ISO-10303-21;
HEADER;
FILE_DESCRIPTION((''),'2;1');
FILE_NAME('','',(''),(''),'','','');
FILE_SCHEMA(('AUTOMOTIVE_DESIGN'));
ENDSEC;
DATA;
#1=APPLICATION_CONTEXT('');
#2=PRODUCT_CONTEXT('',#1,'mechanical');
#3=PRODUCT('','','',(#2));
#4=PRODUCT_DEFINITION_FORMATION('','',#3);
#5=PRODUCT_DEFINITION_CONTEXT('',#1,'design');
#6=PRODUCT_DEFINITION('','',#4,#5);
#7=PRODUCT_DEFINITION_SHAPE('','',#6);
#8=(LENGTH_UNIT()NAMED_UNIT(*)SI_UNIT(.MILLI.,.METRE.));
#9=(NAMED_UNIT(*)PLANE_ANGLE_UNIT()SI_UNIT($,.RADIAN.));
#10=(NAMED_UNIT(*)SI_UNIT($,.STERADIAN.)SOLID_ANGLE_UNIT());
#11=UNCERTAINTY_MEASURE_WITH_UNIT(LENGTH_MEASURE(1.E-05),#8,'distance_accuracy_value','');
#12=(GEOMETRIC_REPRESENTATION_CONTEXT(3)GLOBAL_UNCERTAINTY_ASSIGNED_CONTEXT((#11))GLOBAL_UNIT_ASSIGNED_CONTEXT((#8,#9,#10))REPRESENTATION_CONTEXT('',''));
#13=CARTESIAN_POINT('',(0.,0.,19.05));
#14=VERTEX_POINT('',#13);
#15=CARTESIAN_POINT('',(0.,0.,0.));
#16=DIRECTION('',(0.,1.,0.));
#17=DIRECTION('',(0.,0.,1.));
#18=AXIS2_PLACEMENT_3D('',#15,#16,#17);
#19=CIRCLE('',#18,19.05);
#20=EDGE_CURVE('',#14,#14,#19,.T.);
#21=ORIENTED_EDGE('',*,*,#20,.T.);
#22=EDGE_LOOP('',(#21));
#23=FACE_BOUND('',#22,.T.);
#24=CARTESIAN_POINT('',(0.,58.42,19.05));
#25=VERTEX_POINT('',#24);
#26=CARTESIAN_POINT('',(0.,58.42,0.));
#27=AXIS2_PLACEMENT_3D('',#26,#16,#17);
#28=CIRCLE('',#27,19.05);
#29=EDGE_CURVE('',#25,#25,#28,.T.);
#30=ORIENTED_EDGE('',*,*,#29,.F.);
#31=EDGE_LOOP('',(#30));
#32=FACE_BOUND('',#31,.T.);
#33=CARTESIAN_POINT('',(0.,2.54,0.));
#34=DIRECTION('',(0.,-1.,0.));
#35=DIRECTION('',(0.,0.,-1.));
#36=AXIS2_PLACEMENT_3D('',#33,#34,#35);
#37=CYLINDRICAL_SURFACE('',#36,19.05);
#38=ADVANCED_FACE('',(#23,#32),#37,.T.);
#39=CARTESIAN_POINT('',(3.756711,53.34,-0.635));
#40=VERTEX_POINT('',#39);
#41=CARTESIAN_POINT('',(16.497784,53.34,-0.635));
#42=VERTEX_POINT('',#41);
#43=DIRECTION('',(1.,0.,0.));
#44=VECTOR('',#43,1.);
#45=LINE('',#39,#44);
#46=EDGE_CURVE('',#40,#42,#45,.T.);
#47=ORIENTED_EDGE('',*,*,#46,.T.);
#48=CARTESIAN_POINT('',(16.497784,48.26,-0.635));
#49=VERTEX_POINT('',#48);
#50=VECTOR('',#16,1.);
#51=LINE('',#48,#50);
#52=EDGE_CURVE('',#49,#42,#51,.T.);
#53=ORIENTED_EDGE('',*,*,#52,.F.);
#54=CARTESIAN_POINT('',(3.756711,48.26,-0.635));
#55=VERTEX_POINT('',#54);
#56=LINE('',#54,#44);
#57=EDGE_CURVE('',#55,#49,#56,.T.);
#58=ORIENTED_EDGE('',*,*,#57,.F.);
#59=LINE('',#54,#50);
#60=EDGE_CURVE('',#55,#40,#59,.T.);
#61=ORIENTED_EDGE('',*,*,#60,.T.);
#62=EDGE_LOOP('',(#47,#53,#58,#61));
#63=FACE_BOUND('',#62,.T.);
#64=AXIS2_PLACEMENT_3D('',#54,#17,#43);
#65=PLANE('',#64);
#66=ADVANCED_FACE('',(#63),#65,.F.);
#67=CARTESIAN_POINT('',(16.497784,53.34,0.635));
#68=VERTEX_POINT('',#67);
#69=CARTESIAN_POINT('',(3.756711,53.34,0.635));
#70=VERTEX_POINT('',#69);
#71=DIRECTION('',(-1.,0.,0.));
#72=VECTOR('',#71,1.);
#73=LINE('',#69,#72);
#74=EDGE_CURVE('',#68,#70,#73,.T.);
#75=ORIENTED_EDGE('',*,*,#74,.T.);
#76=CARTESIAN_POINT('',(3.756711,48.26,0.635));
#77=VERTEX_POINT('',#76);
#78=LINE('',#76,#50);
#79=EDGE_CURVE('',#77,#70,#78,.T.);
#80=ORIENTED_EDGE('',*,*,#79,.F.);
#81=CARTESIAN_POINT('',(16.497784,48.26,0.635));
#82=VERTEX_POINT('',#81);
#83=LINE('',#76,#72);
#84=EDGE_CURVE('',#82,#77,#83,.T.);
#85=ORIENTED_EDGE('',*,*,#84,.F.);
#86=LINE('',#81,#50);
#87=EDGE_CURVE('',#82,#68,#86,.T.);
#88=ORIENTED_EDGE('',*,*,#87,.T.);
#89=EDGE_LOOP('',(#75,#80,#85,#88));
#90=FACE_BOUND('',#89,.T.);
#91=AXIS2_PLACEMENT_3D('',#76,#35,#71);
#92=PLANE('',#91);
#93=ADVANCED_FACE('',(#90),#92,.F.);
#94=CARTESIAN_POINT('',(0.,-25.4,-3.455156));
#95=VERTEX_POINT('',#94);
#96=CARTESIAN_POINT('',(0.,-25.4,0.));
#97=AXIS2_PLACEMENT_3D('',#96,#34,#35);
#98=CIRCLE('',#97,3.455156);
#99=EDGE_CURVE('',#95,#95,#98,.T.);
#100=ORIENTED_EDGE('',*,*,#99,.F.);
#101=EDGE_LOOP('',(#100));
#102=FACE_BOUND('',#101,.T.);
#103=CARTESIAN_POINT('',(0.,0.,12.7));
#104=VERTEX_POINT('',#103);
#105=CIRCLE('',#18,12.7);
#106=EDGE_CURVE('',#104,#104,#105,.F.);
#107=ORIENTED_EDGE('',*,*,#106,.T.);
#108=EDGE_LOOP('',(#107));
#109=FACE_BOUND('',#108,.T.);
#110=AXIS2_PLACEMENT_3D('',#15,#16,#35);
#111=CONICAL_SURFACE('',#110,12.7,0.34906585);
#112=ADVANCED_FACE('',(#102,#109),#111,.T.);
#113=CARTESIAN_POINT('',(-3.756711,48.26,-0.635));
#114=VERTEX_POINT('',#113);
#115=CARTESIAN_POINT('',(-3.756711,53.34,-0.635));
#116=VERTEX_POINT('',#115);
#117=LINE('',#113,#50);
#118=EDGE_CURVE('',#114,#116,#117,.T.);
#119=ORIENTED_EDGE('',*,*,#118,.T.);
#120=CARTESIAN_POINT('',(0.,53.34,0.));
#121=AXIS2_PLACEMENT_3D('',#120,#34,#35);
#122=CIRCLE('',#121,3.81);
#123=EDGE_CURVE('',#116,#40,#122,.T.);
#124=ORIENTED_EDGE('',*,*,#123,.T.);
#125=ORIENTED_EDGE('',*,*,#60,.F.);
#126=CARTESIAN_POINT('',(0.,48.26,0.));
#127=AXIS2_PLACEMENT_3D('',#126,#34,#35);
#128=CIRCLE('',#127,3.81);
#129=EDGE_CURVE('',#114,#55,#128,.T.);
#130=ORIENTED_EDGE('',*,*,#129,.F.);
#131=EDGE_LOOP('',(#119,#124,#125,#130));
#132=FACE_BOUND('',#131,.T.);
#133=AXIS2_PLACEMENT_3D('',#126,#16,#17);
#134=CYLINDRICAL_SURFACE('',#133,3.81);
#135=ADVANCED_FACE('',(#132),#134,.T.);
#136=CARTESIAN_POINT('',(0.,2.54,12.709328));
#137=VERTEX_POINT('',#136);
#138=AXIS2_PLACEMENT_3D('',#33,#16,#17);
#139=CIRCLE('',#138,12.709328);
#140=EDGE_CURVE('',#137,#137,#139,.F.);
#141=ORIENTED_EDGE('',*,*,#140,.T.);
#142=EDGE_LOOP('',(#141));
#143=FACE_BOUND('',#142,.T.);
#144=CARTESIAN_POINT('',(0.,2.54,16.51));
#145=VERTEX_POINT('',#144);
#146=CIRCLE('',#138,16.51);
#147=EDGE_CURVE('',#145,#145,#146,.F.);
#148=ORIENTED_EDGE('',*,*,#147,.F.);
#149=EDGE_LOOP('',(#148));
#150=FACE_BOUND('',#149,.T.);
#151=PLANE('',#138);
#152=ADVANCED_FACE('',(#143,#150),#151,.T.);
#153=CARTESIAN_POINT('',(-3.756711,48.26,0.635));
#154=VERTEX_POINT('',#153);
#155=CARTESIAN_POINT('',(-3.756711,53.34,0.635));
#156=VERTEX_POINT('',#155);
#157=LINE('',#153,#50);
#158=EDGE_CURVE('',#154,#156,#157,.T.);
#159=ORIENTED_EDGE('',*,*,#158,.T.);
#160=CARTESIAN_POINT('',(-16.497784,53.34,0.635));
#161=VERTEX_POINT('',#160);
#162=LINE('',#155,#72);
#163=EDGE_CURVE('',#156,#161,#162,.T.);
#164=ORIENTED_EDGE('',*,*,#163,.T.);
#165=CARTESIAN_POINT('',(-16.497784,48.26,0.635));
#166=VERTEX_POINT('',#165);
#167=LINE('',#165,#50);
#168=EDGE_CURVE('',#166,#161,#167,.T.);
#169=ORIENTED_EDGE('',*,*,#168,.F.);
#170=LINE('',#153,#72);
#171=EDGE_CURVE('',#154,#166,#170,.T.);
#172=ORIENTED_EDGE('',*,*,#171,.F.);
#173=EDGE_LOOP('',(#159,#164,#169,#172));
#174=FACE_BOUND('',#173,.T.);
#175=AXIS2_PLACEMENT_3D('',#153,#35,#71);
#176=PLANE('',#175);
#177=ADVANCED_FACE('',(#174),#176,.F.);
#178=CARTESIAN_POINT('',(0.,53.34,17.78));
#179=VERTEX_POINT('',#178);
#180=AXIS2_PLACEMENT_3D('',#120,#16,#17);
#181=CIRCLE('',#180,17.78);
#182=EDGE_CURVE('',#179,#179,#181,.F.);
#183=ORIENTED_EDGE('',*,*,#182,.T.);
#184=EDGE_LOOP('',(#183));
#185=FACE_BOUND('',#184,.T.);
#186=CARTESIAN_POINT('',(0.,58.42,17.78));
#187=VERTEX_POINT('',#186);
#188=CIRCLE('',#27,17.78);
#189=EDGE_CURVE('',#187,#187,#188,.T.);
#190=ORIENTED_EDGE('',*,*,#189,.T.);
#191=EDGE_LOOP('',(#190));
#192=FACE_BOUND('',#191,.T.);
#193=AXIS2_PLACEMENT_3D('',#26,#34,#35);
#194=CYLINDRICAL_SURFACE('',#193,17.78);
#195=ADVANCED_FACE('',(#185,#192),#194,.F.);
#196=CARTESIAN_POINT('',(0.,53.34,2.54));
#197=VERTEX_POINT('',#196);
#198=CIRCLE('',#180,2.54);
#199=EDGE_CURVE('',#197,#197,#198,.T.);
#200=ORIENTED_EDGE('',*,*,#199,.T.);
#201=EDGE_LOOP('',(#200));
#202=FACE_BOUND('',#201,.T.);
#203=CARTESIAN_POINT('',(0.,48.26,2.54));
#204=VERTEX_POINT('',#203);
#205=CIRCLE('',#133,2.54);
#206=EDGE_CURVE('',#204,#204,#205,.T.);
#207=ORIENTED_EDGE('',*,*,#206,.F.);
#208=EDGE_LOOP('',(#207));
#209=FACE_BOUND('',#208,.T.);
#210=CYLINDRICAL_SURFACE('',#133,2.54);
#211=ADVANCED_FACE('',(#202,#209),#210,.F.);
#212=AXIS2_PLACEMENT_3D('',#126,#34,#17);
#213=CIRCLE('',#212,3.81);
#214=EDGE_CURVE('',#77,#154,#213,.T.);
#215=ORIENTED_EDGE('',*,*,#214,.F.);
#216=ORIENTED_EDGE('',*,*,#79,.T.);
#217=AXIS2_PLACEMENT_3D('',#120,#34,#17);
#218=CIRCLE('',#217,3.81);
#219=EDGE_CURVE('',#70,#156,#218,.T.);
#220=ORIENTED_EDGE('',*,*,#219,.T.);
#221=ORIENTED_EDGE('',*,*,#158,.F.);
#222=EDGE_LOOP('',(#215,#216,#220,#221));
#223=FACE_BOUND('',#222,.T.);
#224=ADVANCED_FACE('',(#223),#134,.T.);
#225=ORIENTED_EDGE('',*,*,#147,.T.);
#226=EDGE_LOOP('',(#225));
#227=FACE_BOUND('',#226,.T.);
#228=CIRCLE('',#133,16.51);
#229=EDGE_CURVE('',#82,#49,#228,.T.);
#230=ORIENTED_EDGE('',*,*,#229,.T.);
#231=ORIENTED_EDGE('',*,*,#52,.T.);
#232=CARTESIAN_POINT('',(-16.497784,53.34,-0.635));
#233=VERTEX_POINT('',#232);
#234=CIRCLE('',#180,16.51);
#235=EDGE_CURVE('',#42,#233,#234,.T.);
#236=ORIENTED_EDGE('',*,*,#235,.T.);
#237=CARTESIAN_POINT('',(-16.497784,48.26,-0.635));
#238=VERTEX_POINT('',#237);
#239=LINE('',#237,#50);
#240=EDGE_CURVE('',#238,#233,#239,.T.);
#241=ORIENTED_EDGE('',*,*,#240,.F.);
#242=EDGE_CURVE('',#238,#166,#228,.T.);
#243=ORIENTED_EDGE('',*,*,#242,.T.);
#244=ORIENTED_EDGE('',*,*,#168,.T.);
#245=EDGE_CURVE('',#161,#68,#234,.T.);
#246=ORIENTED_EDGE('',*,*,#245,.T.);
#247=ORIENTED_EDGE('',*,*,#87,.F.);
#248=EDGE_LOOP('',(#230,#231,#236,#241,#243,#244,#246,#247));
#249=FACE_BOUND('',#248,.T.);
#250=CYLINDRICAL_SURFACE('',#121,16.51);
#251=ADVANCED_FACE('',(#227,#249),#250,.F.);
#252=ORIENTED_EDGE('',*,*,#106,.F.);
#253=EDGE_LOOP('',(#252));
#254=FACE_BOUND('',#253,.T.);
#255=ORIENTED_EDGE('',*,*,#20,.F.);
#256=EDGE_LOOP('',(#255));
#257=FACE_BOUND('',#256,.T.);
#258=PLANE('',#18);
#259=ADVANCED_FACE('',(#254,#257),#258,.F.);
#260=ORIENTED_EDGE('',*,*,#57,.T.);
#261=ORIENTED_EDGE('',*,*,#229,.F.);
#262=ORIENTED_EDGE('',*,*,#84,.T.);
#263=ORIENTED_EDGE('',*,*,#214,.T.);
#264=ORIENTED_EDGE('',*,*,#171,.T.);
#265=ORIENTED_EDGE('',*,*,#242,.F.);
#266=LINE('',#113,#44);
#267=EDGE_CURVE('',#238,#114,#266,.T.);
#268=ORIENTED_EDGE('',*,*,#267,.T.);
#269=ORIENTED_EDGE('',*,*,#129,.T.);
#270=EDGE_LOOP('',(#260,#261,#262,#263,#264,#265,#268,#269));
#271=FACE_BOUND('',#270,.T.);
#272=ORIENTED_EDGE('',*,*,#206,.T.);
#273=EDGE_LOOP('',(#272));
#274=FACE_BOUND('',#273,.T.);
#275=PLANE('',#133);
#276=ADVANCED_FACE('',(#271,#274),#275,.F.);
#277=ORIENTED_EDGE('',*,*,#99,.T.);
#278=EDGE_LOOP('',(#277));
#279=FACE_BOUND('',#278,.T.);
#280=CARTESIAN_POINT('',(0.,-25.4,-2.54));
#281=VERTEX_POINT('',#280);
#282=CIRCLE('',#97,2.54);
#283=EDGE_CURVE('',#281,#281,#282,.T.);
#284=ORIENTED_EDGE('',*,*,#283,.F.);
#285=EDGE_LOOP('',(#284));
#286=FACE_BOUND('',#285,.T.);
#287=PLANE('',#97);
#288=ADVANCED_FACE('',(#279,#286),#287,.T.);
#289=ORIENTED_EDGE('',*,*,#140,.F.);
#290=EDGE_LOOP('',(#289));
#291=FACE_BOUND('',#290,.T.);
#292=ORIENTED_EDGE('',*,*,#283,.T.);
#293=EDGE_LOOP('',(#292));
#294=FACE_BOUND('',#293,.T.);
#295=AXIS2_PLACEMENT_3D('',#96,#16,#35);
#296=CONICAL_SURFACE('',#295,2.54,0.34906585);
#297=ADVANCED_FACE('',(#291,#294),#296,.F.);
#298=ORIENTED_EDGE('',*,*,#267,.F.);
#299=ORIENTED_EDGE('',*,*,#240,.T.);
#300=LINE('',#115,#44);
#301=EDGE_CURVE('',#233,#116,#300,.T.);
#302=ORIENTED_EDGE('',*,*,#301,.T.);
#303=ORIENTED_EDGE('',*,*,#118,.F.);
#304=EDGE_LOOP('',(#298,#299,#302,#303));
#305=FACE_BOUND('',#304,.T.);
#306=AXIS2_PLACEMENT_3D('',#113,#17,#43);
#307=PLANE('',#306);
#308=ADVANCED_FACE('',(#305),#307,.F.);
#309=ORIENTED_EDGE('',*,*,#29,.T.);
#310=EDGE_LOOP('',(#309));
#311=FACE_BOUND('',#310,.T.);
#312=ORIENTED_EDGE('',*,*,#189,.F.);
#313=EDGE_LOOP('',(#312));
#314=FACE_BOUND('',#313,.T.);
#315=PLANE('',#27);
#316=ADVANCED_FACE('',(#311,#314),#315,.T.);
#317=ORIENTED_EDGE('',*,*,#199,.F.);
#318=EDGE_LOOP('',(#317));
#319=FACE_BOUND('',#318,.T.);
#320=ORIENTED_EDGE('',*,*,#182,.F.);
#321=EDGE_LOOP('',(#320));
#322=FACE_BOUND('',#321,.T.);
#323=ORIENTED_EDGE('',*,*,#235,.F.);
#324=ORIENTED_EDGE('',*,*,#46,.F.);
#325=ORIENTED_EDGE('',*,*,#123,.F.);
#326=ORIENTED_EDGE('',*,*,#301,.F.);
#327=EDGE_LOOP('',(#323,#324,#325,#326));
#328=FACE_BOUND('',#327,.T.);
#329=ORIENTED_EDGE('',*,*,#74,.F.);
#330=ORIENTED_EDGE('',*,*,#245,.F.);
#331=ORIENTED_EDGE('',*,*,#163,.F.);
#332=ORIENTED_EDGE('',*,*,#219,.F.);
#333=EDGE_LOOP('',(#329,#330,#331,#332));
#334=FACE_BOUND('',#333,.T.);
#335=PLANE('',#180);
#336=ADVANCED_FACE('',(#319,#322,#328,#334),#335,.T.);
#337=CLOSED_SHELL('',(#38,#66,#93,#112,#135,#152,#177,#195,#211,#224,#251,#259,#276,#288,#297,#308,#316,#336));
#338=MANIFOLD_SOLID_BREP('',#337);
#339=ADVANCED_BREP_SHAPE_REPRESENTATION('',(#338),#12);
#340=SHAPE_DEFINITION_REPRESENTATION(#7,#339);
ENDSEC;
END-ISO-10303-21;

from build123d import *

# Parameters (mm, degrees)
SKETCH1_R           = 19.05
BOSS_EXTRUDE1_DEPTH = 2.54
SKETCH2_R           = 12.7
BOSS_EXTRUDE2_DEPTH = 25.4
BOSS_EXTRUDE2_TAPER = 20
SKETCH3_R           = 2.54
CUT_EXTRUDE1_DEPTH  = 27.94
CUT_EXTRUDE1_TAPER  = -20
SKETCH4_R           = 19.05
SKETCH4_R_2         = 16.51
BOSS_EXTRUDE3_DEPTH = 50.8
SKETCH5_R           = 19.05
SKETCH5_R_2         = 2.54
BOSS_EXTRUDE4_DEPTH = 5.08
SKETCH6_R           = 19.05
SKETCH6_R_2         = 17.78
BOSS_EXTRUDE5_DEPTH = 5.08


with BuildPart() as part:
    # Sketch1 → Boss-Extrude1 (new body)
    with BuildSketch(Plane(origin=(0, 0, 0), x_dir=(1, 0, 0), z_dir=(0, 1, 0))):
        Circle(SKETCH1_R)
    extrude(amount=BOSS_EXTRUDE1_DEPTH)

    # Sketch2 → Boss-Extrude2 (add)
    with BuildSketch(Plane.XZ):
        Circle(SKETCH2_R)
    extrude(amount=BOSS_EXTRUDE2_DEPTH, taper=BOSS_EXTRUDE2_TAPER)

    # Sketch3 → Cut-Extrude1 (cut)
    with BuildSketch(Plane.XZ.offset(25.4)):
        Circle(SKETCH3_R)
    extrude(amount=-CUT_EXTRUDE1_DEPTH, taper=CUT_EXTRUDE1_TAPER, mode=Mode.SUBTRACT)

    # Sketch4 → Boss-Extrude3 (add)
    with BuildSketch(Plane(origin=(0, 2.54, 0), x_dir=(1, 0, 0), z_dir=(0, 1, 0))):
        Circle(SKETCH4_R)
        Circle(SKETCH4_R_2, mode=Mode.SUBTRACT)
    extrude(amount=BOSS_EXTRUDE3_DEPTH)

    # Sketch5 → Boss-Extrude4 (add)
    with BuildSketch(Plane(origin=(0, 53.34, 0), x_dir=(1, 0, 0), z_dir=(0, 1, 0))):
        Circle(SKETCH5_R)
        Circle(SKETCH5_R_2, mode=Mode.SUBTRACT)
        with BuildLine():
            Line((3.756710662, 0.635), (16.497783942, 0.635))
            ThreePointArc((16.497783942, 0.635), (0, 16.51), (-16.497783942, 0.635))
            Line((-16.497783942, 0.635), (-3.756710662, 0.635))
            ThreePointArc((-3.756710662, 0.635), (0, 3.81), (3.756710662, 0.635))
        make_face(mode=Mode.SUBTRACT)
        with BuildLine():
            Line((3.756710662, -0.635), (16.497783942, -0.635))
            ThreePointArc((16.497783942, -0.635), (0, -16.51), (-16.497783942, -0.635))
            Line((-16.497783942, -0.635), (-3.756710662, -0.635))
            ThreePointArc((-3.756710662, -0.635), (0, -3.81), (3.756710662, -0.635))
        make_face(mode=Mode.SUBTRACT)
    extrude(amount=-BOSS_EXTRUDE4_DEPTH)

    # Sketch6 → Boss-Extrude5 (add)
    with BuildSketch(Plane(origin=(0, 53.34, 0), x_dir=(1, 0, 0), z_dir=(0, 1, 0))):
        Circle(SKETCH6_R)
        Circle(SKETCH6_R_2, mode=Mode.SUBTRACT)
    extrude(amount=BOSS_EXTRUDE5_DEPTH)


solid = part.part
